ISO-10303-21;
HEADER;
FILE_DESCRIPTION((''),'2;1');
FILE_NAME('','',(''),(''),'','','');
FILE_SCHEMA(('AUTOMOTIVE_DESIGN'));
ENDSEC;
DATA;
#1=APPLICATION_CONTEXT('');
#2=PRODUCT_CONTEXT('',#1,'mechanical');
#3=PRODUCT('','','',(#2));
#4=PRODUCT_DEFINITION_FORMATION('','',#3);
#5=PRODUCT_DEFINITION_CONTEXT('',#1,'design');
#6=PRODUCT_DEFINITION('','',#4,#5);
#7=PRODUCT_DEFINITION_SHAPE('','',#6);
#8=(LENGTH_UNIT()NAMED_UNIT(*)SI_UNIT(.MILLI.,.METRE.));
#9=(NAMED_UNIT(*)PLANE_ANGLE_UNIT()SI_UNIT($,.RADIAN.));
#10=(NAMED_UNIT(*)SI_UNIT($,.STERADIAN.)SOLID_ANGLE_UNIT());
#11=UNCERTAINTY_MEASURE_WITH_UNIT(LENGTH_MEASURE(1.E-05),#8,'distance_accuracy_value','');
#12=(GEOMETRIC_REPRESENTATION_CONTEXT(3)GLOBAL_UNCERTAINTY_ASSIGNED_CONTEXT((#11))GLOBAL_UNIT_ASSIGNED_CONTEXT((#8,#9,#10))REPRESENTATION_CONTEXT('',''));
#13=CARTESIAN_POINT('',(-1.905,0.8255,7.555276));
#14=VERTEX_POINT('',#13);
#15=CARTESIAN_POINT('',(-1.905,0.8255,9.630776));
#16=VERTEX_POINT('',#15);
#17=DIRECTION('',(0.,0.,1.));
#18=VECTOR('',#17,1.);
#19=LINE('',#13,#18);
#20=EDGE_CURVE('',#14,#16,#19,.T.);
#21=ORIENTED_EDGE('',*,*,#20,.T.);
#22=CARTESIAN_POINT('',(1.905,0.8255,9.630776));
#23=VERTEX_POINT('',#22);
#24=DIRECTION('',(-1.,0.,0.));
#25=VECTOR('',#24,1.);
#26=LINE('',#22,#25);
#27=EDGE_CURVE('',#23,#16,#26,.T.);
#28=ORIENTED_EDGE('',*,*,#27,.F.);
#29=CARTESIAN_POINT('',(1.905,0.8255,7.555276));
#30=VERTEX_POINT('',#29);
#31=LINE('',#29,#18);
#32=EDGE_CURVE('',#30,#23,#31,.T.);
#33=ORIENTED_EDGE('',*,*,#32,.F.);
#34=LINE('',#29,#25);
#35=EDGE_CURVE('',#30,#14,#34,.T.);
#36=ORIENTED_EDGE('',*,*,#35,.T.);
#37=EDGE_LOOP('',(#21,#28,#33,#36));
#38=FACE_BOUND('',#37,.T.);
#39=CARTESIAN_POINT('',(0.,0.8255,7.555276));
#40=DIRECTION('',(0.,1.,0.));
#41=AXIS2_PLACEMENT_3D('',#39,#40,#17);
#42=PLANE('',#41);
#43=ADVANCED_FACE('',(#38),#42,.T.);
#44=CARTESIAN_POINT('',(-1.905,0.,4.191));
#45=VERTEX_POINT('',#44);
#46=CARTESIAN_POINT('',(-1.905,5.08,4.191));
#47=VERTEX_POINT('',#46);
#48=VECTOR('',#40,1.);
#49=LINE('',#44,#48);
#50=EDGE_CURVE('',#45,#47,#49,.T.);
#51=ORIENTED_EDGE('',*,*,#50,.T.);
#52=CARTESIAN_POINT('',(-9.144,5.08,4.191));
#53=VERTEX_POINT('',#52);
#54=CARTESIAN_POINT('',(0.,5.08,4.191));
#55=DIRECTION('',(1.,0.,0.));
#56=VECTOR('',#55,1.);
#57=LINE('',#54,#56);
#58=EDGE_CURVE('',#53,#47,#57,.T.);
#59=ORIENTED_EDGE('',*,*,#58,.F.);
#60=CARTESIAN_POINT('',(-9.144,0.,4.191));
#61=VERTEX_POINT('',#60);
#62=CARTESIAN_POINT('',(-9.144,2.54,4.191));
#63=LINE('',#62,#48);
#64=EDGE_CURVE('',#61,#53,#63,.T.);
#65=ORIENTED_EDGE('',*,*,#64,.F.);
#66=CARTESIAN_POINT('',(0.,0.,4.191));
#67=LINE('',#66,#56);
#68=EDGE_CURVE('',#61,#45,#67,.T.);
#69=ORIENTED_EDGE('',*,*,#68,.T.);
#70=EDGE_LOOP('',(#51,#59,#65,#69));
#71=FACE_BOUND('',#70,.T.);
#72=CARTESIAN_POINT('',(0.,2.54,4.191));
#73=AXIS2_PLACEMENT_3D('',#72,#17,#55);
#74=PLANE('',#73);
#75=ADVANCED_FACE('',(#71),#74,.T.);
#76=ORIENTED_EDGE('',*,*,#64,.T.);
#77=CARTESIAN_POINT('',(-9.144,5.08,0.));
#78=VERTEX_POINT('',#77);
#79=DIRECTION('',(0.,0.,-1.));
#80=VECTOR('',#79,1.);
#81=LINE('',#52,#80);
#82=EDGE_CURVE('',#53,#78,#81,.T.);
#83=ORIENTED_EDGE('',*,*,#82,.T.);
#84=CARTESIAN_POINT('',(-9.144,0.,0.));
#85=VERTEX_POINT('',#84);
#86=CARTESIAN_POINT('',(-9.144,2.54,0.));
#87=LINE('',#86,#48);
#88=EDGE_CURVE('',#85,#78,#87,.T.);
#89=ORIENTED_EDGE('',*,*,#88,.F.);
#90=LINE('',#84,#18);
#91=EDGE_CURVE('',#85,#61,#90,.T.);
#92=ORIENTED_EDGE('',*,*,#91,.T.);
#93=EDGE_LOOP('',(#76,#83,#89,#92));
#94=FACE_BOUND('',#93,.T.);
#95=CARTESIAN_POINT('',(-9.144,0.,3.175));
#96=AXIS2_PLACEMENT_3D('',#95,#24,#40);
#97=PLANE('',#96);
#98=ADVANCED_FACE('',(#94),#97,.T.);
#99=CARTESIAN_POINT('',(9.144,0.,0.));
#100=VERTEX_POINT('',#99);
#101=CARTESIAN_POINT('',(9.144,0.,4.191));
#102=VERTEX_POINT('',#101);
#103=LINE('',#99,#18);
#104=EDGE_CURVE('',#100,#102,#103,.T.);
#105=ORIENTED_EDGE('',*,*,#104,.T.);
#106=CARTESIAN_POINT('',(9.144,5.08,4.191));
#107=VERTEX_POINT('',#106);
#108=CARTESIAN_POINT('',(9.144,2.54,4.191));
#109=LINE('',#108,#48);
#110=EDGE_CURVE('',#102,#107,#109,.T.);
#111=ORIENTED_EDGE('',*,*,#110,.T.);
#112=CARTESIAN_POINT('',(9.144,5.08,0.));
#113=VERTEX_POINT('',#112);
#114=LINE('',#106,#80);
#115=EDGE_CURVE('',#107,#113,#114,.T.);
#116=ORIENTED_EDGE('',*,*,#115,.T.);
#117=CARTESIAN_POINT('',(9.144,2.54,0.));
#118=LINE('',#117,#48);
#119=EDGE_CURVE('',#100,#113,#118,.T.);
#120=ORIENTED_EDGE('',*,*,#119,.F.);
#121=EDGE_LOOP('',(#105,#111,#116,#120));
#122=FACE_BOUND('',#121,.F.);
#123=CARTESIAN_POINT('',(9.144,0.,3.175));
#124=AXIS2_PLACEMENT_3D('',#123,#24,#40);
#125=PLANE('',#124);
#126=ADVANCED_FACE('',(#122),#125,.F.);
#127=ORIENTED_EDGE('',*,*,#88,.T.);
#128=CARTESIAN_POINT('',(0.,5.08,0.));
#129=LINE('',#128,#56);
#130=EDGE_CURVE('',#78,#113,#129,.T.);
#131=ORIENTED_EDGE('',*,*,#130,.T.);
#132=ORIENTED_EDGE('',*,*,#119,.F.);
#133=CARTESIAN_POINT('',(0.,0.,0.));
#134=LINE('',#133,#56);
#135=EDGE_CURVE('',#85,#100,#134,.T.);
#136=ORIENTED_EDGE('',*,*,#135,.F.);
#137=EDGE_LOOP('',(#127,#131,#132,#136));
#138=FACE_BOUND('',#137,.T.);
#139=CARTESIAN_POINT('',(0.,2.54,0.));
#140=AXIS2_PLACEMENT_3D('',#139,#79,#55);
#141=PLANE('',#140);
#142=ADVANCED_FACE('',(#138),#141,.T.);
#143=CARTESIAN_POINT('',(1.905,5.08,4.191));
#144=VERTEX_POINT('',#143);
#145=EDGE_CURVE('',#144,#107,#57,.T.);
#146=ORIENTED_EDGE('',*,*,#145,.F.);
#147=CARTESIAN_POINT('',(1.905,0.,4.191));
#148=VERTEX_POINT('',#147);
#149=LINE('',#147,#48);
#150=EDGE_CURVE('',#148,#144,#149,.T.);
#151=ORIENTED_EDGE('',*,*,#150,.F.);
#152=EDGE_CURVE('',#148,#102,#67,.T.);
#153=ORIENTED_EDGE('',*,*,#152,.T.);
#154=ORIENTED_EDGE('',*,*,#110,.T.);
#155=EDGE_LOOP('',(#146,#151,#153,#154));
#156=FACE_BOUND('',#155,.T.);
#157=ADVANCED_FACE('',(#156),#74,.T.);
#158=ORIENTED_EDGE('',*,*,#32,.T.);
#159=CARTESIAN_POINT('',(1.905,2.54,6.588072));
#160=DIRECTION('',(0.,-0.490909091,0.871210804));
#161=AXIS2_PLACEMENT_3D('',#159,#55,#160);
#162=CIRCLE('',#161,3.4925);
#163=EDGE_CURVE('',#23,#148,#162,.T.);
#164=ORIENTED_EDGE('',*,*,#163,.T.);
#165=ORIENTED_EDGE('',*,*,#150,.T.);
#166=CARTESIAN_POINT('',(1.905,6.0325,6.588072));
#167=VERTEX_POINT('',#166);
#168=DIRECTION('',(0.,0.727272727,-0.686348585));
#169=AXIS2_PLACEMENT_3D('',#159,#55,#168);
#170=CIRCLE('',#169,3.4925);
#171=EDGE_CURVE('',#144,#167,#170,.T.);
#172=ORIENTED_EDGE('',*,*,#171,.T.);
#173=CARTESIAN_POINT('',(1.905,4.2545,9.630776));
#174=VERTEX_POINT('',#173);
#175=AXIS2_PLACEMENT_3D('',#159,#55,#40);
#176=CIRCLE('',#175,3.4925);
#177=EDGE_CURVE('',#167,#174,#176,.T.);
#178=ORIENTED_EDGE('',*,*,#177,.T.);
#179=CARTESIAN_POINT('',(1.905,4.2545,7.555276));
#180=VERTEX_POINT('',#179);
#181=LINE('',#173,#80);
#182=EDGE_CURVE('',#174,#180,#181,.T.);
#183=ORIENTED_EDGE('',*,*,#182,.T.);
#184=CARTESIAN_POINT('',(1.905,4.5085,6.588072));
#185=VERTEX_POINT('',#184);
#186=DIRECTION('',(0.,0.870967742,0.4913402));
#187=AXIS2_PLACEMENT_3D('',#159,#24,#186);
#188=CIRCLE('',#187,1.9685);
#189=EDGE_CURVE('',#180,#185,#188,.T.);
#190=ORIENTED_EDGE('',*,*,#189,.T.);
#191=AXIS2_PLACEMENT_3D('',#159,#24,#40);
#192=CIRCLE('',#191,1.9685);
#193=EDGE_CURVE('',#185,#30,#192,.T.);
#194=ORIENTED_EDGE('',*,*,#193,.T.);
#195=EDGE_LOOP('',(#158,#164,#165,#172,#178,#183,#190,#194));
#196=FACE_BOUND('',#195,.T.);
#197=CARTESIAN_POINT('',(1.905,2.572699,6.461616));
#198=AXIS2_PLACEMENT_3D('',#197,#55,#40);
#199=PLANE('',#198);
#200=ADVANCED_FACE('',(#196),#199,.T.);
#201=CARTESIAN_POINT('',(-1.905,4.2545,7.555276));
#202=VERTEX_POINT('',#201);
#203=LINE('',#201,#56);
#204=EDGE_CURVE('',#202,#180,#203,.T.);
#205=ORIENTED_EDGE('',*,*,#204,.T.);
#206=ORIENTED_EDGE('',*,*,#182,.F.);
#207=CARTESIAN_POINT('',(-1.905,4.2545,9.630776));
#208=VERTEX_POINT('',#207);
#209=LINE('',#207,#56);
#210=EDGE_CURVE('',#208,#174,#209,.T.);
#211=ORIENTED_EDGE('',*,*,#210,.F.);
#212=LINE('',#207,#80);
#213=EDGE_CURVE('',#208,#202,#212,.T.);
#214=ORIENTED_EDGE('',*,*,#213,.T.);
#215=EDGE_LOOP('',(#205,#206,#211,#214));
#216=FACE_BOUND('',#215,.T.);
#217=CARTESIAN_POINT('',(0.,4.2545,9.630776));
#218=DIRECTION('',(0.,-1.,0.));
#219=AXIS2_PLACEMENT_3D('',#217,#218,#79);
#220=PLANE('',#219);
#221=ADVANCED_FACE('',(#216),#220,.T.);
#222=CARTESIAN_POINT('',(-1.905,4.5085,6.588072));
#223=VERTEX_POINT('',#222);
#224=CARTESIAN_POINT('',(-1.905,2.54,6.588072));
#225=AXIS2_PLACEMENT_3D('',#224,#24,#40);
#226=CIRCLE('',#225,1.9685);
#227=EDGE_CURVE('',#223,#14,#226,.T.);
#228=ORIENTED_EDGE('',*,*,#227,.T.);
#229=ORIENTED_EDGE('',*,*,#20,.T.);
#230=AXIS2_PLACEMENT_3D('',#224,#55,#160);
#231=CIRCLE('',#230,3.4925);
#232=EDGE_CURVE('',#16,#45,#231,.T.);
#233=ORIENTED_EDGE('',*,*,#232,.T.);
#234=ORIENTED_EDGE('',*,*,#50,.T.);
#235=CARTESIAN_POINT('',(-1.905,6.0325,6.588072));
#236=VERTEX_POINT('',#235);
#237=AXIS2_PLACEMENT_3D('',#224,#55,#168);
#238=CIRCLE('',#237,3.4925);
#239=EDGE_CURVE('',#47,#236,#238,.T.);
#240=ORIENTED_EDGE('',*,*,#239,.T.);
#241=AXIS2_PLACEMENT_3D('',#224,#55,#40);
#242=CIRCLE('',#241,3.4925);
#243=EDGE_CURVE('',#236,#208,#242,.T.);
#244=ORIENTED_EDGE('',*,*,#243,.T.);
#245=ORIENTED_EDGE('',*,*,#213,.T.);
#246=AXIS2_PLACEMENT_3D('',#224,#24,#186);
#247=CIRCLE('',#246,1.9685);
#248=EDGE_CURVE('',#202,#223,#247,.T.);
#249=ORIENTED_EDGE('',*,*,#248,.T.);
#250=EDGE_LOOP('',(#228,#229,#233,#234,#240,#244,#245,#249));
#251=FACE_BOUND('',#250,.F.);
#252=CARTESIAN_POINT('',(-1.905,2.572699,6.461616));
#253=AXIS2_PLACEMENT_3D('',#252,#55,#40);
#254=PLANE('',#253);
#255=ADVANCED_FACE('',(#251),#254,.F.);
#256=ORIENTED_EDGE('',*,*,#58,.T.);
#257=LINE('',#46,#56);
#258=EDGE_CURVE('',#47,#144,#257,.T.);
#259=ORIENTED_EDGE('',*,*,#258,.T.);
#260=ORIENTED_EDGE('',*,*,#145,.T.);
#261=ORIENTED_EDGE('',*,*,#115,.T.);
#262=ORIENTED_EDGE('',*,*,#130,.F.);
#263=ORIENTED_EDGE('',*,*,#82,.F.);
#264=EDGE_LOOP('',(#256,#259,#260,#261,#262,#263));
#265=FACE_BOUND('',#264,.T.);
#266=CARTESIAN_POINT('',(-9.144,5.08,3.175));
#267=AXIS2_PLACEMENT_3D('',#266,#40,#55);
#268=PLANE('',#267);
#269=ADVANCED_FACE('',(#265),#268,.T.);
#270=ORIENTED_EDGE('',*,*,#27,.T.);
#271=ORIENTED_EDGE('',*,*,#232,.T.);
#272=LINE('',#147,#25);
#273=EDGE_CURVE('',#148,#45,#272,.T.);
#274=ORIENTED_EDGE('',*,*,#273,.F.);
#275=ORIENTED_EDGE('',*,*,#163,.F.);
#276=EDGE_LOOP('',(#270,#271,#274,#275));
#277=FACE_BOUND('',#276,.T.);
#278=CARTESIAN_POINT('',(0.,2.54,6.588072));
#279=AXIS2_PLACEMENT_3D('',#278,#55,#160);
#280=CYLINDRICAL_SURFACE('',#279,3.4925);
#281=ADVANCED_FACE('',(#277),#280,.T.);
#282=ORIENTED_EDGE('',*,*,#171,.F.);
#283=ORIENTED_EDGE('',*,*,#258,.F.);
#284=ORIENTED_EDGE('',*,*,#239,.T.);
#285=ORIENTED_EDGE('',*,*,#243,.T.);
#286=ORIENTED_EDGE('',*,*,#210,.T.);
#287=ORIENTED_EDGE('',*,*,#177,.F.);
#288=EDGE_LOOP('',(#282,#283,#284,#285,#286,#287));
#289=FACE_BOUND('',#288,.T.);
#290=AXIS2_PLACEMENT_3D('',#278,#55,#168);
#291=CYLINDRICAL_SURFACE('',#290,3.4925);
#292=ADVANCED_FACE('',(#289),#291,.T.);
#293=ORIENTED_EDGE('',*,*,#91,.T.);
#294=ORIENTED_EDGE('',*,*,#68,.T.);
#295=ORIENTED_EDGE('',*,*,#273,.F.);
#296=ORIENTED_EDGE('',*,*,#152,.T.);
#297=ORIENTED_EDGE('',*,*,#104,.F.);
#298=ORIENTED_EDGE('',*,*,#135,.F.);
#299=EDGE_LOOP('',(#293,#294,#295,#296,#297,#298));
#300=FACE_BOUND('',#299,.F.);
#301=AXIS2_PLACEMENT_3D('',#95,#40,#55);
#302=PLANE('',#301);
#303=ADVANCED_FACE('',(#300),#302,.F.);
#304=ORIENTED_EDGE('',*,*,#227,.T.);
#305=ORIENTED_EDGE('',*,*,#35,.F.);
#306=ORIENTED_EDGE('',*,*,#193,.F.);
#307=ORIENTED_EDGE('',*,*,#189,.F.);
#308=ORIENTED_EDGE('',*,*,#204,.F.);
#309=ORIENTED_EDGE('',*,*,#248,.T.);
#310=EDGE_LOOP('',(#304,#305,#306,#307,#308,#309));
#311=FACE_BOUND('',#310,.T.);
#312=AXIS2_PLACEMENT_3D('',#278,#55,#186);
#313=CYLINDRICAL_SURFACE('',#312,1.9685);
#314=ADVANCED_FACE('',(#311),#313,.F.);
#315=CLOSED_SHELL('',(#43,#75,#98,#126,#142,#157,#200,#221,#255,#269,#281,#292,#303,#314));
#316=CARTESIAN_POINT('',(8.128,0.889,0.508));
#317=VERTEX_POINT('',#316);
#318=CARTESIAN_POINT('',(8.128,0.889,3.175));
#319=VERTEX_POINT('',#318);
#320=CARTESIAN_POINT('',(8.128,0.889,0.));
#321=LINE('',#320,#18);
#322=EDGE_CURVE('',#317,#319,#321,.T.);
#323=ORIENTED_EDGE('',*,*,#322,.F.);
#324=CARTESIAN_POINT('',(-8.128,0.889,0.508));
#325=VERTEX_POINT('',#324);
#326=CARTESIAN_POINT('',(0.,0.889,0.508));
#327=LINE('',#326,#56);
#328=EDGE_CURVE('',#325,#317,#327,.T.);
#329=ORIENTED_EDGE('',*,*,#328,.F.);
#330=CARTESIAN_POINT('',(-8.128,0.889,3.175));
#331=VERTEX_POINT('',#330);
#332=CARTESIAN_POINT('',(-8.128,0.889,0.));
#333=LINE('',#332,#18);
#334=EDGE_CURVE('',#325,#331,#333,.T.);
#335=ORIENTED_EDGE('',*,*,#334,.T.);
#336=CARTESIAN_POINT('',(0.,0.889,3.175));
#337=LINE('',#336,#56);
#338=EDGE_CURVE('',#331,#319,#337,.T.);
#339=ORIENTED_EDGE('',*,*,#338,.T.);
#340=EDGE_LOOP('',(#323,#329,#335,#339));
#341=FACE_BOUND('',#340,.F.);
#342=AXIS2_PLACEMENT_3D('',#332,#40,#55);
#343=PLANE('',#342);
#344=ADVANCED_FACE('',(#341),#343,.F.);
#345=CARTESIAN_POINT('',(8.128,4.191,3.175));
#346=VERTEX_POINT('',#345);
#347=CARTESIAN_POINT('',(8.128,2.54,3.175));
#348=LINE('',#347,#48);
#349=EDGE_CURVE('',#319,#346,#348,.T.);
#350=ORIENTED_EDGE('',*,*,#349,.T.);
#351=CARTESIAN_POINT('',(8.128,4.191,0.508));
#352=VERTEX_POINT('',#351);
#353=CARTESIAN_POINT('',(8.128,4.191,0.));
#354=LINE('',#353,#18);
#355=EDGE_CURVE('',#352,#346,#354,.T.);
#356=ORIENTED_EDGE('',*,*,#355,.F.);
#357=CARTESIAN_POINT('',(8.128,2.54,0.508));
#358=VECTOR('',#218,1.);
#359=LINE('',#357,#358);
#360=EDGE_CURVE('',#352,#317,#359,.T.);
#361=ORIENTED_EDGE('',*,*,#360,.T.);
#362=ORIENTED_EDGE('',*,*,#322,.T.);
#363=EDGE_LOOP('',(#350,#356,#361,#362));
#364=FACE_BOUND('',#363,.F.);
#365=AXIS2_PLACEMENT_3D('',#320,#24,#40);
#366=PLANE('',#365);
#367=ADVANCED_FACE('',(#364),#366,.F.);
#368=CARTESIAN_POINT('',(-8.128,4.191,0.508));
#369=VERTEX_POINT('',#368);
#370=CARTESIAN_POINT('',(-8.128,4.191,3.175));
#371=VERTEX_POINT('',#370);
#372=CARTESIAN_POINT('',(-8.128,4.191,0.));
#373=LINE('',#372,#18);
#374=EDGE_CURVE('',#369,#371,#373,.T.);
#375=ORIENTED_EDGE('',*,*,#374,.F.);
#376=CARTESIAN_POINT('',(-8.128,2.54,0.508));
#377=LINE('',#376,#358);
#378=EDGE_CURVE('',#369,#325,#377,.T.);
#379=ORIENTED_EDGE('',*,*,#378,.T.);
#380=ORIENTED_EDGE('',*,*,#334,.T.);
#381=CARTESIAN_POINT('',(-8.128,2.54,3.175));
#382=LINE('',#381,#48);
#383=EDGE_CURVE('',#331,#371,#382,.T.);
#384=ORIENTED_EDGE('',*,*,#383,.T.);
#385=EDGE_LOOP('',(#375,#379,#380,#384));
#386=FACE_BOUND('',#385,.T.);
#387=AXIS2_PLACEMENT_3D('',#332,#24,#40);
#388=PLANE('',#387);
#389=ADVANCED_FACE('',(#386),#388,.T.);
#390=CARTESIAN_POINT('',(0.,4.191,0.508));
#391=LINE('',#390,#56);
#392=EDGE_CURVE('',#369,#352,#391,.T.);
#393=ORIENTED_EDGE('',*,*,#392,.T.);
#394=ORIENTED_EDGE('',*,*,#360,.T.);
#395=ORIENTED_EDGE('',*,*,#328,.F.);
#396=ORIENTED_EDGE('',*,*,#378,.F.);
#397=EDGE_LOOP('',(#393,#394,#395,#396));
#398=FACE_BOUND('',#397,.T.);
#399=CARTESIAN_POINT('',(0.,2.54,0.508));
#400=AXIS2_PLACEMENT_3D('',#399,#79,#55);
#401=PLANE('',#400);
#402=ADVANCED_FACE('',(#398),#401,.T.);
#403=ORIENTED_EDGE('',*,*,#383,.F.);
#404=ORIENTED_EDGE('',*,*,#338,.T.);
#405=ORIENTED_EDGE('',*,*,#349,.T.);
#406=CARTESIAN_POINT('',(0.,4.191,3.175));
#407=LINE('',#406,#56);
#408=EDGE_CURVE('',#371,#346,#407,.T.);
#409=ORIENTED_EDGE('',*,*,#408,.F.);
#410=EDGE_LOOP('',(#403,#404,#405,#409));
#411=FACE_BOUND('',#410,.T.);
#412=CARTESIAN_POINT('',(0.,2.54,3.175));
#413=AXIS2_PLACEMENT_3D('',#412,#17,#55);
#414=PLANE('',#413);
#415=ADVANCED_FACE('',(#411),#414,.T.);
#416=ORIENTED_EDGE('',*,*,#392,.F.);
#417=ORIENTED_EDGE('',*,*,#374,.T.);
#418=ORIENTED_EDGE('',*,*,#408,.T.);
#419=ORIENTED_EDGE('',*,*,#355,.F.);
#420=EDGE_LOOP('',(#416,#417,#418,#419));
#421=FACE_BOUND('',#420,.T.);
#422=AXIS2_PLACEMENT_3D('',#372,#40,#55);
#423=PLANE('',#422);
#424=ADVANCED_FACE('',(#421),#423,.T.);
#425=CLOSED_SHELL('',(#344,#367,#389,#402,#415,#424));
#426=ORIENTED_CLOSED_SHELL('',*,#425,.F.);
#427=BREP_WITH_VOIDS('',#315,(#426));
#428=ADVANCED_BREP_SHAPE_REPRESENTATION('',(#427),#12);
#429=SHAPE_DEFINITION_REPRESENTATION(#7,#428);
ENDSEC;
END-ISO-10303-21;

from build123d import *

# Parameters (mm, degrees)
F0_W     = 18.288
F0_H     = 5.08
F0_W_2   = 16.256
F0_H_2   = 3.302
F1_DEPTH = 3.175
F2_W     = 16.256
F2_H     = 3.302
F3_DEPTH = 0.508
F4_W     = 18.288
F4_H     = 5.08
F4_W_2   = 16.256
F4_H_2   = 3.302
F5_DEPTH = 1.016
F7_DEPTH = 1.905


with BuildPart() as f1:
    # F0 (on Top) → F1 (new body)
    with BuildSketch(Plane.XY):
        with Locations((0, 2.54)):
            Rectangle(F0_W, F0_H)
        with Locations((0, 2.54)):
            Rectangle(F0_W_2, F0_H_2, mode=Mode.SUBTRACT)
    extrude(amount=F1_DEPTH)

    # F2 (on face) → F3 (join)
    with BuildSketch(Plane(origin=(0, 0, 0), x_dir=(1, 0, 0), z_dir=(0, 0, -1))):
        with Locations((0, -2.54)):
            Rectangle(F2_W, F2_H)
    extrude(amount=-F3_DEPTH)

    # F4 (on face) → F5 (join)
    with BuildSketch(Plane.XY.offset(3.175)):
        with Locations((0, 2.54)):
            Rectangle(F4_W, F4_H)
        with Locations((0, 2.54)):
            Rectangle(F4_W_2, F4_H_2, mode=Mode.SUBTRACT)
        with Locations((0, 2.54)):
            Rectangle(F4_W_2, F4_H_2)
    extrude(amount=F5_DEPTH)

    # F6 (on Right) → F7 (join, symmetric)
    with BuildSketch(Plane.YZ):
        with BuildLine():
            Line((0, 4.191), (5.08, 4.191))
            ThreePointArc((5.08, 4.191), (5.7856514177, 5.2983813365), (6.0325, 6.5880724332))
            ThreePointArc((6.0325, 6.5880724332), (5.5554143579, 8.3501259227), (4.2545, 9.6307761651))
            Line((4.2545, 9.6307761651), (4.2545, 7.5552756176))
            ThreePointArc((4.2545, 7.5552756176), (4.4439413725, 7.0880719332), (4.5085, 6.5880724332))
            ThreePointArc((4.5085, 6.5880724332), (2.0400005, 4.6841310607), (0.8255, 7.5552756176))
            Line((0.8255, 7.5552756176), (0.8255, 9.6307761651))
            ThreePointArc((0.8255, 9.6307761651), (-0.9129673824, 7.1120690992), (0, 4.191))
        make_face()
    extrude(amount=F7_DEPTH, both=True)


solid = f1.part
